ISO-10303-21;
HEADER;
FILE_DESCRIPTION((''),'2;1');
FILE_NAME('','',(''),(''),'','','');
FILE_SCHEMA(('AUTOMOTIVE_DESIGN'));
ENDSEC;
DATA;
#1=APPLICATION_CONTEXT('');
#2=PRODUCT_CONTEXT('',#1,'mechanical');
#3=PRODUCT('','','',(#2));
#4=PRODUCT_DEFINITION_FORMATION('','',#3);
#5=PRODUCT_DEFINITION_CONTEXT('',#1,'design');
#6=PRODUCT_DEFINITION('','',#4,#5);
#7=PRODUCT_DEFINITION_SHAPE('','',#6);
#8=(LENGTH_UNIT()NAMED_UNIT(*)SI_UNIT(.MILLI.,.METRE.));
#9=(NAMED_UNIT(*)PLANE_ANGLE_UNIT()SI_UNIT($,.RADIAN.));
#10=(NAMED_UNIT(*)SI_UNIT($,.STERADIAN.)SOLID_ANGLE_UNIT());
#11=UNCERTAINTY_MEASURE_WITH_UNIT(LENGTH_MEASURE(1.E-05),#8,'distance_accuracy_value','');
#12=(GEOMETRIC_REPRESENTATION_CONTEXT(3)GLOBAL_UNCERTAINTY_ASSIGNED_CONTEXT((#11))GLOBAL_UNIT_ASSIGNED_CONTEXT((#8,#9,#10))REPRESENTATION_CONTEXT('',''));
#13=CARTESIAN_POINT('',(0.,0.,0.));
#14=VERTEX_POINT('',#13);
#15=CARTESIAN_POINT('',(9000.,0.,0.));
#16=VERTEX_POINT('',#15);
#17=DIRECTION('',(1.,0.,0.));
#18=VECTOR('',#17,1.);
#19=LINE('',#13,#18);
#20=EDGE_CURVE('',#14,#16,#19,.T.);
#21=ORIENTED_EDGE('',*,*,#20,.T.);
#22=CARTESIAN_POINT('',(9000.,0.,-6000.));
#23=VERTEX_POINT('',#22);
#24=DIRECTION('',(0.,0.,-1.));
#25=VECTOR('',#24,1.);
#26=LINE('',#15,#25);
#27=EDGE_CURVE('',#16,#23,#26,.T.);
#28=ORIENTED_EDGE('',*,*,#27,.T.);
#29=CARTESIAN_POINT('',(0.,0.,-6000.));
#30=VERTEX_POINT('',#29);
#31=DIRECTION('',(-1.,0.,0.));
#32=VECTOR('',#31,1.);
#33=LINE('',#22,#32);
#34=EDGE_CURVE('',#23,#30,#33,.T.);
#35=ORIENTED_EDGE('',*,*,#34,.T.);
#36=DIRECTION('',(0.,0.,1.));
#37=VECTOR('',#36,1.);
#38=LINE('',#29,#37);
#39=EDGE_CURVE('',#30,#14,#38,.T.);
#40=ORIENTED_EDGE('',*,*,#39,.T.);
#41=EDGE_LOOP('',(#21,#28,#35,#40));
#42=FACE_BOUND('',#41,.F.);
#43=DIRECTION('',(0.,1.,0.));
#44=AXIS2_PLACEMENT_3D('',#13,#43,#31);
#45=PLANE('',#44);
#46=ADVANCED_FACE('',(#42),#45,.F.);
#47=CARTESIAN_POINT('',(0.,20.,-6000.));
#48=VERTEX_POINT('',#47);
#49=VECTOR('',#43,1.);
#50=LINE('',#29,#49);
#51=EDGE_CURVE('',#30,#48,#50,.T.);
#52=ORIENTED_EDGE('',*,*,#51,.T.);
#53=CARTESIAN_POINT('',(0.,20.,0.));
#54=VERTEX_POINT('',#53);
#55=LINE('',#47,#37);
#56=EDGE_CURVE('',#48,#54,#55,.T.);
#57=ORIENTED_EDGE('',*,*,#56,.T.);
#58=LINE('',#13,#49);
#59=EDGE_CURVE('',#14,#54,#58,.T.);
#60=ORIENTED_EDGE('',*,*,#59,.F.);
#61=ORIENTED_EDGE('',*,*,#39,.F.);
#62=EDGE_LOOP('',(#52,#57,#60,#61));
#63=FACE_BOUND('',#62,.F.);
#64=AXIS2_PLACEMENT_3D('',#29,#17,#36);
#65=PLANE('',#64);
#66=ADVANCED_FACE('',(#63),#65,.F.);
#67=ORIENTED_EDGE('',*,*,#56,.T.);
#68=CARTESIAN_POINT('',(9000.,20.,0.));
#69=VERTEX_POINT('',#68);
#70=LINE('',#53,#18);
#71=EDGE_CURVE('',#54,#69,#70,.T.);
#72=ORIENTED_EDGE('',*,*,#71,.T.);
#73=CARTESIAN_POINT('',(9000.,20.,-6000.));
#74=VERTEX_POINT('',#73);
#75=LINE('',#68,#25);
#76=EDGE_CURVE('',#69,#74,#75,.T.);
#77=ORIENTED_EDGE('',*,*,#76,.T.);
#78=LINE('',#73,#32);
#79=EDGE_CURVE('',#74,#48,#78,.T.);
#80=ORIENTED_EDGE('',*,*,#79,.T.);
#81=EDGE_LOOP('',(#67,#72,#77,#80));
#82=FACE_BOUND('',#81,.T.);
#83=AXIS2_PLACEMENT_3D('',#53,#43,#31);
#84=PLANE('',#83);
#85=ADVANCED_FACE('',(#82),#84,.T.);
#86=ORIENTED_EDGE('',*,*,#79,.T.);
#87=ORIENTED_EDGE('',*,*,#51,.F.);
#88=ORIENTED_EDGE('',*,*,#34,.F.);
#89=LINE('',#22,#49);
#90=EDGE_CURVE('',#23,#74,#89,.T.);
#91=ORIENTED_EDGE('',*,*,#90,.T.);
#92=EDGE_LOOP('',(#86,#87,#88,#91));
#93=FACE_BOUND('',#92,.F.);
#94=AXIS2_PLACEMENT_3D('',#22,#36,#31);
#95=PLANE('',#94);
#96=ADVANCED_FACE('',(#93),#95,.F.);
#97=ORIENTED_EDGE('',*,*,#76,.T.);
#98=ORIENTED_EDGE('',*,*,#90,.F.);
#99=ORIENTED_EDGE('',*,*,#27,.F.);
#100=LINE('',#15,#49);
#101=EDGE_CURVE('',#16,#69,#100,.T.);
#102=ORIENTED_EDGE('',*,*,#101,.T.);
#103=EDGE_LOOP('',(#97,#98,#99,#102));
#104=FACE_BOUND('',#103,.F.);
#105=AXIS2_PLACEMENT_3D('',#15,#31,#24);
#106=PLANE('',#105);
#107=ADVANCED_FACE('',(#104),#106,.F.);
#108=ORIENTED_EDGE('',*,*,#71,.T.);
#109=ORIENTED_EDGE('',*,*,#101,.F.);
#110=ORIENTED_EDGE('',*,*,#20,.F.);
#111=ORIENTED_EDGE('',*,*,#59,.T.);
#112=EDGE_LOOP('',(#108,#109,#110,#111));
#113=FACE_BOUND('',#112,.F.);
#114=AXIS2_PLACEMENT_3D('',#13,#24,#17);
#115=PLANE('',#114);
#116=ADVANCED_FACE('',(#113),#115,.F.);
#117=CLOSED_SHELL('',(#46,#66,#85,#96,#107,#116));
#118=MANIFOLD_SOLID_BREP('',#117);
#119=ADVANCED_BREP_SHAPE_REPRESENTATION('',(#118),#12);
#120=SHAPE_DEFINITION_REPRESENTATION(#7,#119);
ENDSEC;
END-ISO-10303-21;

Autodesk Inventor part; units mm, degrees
ref_plane "YZ Plane" through (0, 0, 0) normal (1, 0, 0) x (0, 1, 0)
ref_plane "XZ Plane" through (0, 0, 0) normal (0, 1, 0) x (-1, 0, 0)
ref_plane "XY Plane" through (0, 0, 0) normal (0, 0, 1) x (1, 0, 0)
sketch "Sketch1" plane through (0, 0, 0) normal (0, 1, 0) x (-1, 0, 0)
  line L0 (0, 0) -> (-9000, 0)
  line L1 (-9000, 0) -> (-9000, -6000)
  line L2 (-9000, -6000) -> (0, -6000)
  line L3 (0, -6000) -> (0, 0)
  dimension "d0" = 9000
  dimension "d1" = 6000
extrude "Extrusion1" add sketch "Sketch1" along normal blind 20
equation "\"BendRadius\" = Thickness"
equation "\"BendReliefWidth\" = Thickness"
equation "\"BendReliefDepth\" = 0.5 * Thickness"
equation "\"CornerReliefSize\" = 4 * Thickness"
equation "\"MinimumRemnant\" = 2 * Thickness"
equation "\"TransitionRadius\" = BendRadius"
equation "\"JacobiRadiusSize\" = BendRadius"
equation "\"GapSize\" = Thickness"
equation "\"Thickness\" = 0.5"
properties part number "ground_plane"
